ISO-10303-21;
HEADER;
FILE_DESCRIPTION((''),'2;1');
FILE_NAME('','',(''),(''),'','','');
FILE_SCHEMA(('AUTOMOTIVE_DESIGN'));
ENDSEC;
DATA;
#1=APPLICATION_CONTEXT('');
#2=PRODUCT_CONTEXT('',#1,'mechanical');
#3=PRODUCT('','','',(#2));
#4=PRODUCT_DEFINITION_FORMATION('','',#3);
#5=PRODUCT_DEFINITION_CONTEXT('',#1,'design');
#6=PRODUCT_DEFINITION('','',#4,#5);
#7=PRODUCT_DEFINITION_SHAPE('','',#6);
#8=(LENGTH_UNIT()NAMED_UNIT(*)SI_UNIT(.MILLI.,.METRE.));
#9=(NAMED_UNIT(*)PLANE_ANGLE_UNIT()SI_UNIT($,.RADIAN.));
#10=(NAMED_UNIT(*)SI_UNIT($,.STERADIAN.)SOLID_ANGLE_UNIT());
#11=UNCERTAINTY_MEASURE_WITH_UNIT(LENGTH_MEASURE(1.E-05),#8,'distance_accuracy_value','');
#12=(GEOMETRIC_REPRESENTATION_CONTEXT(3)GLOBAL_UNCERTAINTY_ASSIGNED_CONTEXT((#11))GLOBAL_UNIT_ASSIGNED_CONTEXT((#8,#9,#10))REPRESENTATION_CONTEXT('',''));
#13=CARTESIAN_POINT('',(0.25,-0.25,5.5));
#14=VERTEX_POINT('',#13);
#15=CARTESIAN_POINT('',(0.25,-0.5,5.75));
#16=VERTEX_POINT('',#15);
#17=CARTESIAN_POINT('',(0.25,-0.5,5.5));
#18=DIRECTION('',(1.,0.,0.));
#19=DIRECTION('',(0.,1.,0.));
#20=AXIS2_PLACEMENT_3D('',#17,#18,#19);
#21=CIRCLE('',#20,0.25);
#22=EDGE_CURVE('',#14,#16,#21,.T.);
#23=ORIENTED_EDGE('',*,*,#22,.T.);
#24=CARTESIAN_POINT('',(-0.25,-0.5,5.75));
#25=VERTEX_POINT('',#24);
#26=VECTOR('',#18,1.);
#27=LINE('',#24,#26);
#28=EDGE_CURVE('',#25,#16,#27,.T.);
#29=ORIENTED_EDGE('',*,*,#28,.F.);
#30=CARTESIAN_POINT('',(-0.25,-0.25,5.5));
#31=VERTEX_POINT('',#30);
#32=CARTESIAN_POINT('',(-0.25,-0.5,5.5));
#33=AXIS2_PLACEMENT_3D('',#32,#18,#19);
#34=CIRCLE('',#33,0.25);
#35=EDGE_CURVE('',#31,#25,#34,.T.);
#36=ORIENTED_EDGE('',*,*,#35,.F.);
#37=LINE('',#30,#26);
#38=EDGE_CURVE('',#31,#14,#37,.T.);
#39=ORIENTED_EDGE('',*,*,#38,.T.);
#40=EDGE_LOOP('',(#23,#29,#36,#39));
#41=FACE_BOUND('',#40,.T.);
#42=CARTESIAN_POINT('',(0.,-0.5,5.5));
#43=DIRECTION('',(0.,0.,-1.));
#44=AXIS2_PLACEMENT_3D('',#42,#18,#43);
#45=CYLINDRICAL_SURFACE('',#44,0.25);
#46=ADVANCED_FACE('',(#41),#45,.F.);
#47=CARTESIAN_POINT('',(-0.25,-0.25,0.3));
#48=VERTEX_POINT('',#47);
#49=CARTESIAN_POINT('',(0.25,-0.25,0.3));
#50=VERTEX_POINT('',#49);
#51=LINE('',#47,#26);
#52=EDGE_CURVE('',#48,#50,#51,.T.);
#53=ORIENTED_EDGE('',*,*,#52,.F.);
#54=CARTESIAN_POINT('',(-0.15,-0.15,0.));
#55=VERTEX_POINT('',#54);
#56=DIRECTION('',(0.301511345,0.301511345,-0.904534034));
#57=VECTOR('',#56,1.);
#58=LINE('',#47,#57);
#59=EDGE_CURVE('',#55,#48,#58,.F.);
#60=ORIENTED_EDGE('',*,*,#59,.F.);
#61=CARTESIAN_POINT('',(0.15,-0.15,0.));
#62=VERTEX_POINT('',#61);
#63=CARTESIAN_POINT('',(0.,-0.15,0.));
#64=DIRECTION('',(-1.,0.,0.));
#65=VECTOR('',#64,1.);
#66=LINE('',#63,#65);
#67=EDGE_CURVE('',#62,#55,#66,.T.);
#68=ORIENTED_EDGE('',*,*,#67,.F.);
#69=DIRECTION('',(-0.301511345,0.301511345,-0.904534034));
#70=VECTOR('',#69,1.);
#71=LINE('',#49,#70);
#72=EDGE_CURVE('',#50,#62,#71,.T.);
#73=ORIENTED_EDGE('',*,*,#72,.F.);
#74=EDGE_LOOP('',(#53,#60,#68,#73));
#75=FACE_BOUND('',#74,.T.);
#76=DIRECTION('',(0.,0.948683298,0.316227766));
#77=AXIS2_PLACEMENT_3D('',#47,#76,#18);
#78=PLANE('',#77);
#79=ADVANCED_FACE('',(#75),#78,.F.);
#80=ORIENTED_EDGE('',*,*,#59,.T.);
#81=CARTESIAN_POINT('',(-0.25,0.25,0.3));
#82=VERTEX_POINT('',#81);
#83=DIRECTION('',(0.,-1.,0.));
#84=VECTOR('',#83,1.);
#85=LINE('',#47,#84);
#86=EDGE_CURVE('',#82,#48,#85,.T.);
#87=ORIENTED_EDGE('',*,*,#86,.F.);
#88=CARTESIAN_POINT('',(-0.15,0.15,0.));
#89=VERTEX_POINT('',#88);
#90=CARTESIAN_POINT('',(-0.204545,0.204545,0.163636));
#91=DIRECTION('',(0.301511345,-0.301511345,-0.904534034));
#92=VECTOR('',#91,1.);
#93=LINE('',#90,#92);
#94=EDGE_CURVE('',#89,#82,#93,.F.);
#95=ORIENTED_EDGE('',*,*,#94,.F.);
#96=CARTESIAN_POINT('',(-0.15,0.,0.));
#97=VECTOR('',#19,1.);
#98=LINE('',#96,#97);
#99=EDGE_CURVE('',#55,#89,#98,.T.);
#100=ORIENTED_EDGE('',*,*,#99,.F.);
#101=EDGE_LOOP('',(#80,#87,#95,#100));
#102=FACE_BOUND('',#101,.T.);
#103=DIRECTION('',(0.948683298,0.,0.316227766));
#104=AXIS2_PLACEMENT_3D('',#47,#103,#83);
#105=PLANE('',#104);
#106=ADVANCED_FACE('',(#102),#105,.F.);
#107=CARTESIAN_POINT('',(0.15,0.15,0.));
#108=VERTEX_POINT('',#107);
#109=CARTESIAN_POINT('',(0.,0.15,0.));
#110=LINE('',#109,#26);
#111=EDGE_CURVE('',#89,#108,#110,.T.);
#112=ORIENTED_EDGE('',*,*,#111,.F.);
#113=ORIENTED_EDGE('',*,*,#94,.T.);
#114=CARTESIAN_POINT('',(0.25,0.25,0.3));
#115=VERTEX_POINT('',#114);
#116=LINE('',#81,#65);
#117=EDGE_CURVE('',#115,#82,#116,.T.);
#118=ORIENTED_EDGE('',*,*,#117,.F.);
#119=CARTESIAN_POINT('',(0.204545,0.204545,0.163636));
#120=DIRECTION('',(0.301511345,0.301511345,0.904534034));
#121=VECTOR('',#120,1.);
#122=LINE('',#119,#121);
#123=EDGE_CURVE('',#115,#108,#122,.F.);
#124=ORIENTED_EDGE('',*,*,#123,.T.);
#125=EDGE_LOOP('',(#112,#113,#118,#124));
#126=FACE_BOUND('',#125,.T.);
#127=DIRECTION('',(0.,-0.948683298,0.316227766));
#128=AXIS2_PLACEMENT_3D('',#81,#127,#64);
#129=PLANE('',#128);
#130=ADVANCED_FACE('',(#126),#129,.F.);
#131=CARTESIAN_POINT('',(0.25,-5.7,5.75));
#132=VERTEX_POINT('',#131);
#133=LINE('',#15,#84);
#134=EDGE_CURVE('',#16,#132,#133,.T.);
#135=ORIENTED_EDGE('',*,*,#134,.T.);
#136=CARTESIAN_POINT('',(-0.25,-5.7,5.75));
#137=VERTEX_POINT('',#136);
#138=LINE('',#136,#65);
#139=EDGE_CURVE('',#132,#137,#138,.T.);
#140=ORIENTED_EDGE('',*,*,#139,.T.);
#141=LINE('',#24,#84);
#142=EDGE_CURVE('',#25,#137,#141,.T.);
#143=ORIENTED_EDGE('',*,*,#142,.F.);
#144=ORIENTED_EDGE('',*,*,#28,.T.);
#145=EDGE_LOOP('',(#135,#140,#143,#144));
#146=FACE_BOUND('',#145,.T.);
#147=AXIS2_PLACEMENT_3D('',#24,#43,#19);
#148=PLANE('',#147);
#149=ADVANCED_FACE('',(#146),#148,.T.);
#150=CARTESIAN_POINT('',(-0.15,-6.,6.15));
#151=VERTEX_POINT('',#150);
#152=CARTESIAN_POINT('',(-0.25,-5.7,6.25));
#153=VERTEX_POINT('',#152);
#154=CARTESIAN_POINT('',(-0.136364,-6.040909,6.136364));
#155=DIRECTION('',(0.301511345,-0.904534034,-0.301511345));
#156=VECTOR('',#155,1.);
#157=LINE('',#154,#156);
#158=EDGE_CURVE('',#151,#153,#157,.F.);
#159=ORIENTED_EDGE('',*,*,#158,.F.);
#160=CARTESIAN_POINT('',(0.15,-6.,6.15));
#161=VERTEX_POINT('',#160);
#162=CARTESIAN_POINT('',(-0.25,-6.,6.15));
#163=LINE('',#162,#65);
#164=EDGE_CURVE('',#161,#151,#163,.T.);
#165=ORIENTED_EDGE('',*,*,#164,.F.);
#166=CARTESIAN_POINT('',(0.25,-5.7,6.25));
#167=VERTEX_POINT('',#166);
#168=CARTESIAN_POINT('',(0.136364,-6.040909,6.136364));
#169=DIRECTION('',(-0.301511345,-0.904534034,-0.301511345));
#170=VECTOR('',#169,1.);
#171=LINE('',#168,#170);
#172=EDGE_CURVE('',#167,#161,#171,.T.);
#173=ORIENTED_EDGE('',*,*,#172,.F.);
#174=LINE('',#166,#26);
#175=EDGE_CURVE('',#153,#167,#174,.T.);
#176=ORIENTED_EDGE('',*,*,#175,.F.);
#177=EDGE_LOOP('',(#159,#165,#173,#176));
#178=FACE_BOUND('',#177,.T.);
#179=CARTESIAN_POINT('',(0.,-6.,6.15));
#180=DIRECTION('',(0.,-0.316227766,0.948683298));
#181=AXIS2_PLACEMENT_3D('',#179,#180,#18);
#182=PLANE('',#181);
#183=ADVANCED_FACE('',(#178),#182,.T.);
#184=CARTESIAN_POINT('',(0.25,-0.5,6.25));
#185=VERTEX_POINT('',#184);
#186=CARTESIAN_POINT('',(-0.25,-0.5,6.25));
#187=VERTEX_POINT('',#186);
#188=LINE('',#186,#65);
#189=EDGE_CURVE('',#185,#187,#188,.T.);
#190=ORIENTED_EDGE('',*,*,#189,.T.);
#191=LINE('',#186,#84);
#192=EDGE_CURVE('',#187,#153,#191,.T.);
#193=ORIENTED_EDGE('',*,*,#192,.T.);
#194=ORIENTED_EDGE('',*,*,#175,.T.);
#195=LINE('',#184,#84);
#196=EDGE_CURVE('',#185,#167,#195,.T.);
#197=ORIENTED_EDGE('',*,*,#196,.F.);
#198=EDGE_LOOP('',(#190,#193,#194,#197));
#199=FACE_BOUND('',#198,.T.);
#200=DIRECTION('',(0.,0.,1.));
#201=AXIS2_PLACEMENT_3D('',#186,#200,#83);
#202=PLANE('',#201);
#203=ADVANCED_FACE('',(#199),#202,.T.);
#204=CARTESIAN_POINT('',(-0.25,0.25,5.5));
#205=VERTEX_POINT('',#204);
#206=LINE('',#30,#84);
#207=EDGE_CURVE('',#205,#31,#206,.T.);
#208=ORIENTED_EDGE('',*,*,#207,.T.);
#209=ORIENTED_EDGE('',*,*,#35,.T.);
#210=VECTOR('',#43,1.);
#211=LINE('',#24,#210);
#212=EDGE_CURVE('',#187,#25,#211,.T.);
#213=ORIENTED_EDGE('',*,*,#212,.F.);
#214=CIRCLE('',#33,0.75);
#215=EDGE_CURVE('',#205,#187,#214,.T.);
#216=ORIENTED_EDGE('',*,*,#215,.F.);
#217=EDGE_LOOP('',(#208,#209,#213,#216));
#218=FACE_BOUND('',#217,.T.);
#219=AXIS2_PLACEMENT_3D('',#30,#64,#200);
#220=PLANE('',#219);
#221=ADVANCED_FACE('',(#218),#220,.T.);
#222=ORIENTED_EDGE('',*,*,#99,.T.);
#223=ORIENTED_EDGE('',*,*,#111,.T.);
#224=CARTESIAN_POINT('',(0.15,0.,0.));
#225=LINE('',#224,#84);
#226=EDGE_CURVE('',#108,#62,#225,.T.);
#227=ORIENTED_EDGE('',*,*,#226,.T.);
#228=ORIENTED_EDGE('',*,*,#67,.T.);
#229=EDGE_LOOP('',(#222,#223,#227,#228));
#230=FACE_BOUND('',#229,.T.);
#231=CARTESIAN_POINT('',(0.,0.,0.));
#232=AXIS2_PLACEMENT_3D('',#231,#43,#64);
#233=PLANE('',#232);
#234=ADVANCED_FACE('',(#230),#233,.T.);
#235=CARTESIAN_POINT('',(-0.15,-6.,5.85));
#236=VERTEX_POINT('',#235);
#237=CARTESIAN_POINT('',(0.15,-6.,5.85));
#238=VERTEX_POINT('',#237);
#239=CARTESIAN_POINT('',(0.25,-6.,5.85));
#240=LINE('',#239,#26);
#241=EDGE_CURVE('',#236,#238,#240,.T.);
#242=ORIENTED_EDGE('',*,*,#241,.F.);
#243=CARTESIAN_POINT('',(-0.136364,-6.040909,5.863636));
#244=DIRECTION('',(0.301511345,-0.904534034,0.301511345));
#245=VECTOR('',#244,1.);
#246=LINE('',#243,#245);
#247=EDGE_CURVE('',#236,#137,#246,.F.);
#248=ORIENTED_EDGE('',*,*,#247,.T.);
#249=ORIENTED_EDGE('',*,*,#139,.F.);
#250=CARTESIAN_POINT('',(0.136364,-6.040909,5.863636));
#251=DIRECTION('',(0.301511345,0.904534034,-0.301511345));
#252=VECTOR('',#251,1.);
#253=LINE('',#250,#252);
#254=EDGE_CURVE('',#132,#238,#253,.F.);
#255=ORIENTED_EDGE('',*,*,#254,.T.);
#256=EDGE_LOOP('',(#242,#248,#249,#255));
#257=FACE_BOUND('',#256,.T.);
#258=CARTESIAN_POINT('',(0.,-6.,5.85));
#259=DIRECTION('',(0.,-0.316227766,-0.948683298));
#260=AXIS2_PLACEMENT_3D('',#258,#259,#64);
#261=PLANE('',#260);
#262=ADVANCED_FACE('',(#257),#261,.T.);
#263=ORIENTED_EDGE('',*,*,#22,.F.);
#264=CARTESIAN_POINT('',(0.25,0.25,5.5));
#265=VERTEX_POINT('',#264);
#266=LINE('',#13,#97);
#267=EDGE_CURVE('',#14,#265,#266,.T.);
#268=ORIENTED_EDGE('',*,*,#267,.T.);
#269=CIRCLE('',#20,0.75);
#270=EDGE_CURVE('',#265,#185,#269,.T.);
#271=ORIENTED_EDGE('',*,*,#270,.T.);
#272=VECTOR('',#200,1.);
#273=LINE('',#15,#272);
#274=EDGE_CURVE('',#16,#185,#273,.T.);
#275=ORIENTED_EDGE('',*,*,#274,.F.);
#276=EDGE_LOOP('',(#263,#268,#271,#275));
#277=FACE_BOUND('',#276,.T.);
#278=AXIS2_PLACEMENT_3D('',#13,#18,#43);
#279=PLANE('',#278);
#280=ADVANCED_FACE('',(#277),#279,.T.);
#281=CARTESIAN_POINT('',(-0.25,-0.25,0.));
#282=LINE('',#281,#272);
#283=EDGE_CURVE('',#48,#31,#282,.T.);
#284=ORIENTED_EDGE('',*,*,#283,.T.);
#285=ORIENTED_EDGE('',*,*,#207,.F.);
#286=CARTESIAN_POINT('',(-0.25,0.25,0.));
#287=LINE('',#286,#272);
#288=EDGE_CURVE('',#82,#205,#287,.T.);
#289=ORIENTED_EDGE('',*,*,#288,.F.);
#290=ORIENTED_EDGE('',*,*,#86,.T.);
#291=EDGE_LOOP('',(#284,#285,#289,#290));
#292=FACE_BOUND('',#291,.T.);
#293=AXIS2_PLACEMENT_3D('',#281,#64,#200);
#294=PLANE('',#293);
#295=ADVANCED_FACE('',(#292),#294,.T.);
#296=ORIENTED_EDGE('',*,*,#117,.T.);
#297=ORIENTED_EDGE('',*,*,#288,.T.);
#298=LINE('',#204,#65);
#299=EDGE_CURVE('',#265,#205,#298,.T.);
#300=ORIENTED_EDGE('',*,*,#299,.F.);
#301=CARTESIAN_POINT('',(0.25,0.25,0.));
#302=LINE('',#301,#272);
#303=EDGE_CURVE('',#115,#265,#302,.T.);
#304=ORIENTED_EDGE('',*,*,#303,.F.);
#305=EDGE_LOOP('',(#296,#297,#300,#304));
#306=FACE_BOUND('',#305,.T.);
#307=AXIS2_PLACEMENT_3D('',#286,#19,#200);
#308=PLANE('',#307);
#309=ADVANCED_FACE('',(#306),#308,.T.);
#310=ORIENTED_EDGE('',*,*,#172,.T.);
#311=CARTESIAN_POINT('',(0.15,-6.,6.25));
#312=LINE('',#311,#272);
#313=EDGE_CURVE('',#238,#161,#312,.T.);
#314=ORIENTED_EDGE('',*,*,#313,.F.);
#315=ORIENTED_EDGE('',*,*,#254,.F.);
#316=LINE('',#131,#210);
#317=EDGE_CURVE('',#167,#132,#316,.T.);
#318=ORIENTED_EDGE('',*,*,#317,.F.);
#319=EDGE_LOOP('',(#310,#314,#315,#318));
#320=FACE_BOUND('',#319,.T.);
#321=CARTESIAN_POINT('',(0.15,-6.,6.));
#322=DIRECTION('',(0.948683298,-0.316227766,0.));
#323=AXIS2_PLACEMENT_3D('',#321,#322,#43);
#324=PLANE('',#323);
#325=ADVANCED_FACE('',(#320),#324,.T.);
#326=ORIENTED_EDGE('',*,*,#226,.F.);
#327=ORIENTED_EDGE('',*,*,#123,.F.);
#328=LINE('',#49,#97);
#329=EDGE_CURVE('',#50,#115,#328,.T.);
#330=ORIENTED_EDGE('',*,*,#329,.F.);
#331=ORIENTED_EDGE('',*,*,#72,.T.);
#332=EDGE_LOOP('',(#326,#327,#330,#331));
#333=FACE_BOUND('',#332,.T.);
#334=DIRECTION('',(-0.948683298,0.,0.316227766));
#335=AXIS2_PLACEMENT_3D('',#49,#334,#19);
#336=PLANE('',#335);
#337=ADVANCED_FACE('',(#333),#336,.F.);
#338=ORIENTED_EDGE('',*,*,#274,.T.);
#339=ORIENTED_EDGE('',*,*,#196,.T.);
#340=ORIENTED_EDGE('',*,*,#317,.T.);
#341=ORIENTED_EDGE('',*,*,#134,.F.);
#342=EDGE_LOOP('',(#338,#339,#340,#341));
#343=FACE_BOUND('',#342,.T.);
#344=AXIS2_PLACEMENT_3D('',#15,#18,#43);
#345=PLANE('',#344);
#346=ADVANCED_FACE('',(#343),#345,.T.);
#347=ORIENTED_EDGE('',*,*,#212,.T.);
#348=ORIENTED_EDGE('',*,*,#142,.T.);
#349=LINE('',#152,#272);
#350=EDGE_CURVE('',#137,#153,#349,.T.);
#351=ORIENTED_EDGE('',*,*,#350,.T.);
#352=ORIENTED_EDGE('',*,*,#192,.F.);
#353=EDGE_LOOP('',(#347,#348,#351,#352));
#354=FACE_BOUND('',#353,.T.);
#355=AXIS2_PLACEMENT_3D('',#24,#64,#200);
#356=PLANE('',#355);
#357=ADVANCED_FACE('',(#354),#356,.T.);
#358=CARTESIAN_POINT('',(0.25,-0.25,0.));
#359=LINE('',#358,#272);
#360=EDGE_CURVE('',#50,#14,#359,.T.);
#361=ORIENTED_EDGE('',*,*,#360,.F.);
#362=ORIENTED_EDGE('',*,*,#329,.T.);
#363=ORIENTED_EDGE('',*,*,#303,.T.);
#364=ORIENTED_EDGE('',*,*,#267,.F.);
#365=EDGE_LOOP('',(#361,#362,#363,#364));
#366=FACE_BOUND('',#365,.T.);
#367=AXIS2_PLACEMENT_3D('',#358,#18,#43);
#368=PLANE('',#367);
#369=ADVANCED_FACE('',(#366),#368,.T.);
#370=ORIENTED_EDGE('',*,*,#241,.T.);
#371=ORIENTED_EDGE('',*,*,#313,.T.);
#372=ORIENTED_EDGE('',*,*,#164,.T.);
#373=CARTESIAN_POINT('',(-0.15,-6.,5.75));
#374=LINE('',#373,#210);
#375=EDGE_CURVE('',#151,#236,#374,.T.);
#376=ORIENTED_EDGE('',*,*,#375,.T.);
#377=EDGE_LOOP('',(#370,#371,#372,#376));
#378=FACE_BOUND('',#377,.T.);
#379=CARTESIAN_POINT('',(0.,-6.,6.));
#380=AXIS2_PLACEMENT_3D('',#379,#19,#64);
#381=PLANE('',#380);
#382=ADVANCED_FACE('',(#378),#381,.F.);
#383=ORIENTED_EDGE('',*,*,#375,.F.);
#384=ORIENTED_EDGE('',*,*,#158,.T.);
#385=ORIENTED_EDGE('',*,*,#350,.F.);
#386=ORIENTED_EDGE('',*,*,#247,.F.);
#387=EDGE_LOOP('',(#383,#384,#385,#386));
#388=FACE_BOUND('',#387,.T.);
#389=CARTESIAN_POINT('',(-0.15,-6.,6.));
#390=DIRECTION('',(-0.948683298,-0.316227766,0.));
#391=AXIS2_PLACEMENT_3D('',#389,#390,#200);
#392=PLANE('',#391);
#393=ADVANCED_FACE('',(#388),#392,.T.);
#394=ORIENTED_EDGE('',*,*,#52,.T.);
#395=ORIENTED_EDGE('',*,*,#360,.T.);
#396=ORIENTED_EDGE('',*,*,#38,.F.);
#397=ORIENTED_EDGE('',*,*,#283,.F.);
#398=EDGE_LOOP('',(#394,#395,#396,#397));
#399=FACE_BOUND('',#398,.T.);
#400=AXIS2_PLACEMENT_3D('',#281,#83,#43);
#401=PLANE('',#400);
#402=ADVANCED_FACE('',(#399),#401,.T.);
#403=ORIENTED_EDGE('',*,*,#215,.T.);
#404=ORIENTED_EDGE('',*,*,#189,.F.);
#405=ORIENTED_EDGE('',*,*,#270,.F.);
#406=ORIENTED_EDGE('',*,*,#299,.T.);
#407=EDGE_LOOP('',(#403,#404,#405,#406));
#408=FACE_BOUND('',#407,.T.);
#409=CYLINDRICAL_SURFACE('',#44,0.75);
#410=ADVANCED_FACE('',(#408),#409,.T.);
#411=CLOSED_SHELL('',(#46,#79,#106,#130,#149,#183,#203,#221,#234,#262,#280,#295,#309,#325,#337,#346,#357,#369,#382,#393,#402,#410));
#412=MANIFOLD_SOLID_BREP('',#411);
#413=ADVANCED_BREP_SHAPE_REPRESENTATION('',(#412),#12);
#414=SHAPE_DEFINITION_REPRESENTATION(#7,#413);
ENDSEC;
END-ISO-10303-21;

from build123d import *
from OCP.BRepFilletAPI import BRepFilletAPI_MakeChamfer

# Parameters (mm, degrees)
ESBO_O2_W      = 0.5
ESBO_O2_H      = 0.5
CHANFRO1_SIZE  = 0.1
CHANFRO1_SIZE2 = 0.3
CHANFRO2_SIZE  = 0.3
CHANFRO2_SIZE2 = 0.1


with BuildPart() as part:
    # Varredura1: sweep along a path in Esboço1
    with BuildLine(Plane(origin=(0, 0, 0), x_dir=(0, 0, -1), z_dir=(1, 0, 0))) as varredura1_path:
        Line((0, 0), (-5.5, 0))
        ThreePointArc((-5.5, 0), (-5.853553391, -0.146446609), (-6, -0.5))
        Line((-6, -0.5), (-6, -6))
    # Esboço2 → Varredura1 (sweep)
    with BuildSketch(Plane.XY):
        Rectangle(ESBO_O2_W, ESBO_O2_H)
    sweep(path=varredura1_path.line)

    # Chanfro1
    chanfro1_edges = [part.edges().sort_by_distance(p)[0] for p in [
        (0, 0.25, 0),
        (-0.25, 0, 0),
        (0, -0.25, 0),
        (0.25, 0, 0),
    ]]
    chanfro1_side = [part.faces().sort_by_distance(p)[0] for p in [
        (0, 0, 0),
    ]]
    chamfer(chanfro1_edges, length=CHANFRO1_SIZE, length2=CHANFRO1_SIZE2, reference=chanfro1_side[0])

    # Chanfro2: one chamfer whose edges measure the first distance from different faces: ONE call of the kernel's chamfer builder (chamfer() names one face for all edges)
    chanfro2_edges_1 = [part.edges().sort_by_distance(p)[0] for p in [
        (0.25, -6, 6),
    ]]
    chanfro2_side_1 = [part.faces().sort_by_distance(p)[0] for p in [
        (0.25, -0.163706895, 2.9),
    ]]
    chanfro2_edges_2 = [part.edges().sort_by_distance(p)[0] for p in [
        (0, -6, 6.25),
    ]]
    chanfro2_side_2 = [part.faces().sort_by_distance(p)[0] for p in [
        (0, -3.25, 6.25),
    ]]
    chanfro2_edges_3 = [part.edges().sort_by_distance(p)[0] for p in [
        (-0.25, -6, 6),
    ]]
    chanfro2_side_3 = [part.faces().sort_by_distance(p)[0] for p in [
        (-0.25, 0.163706895, 2.9),
    ]]
    chanfro2_edges_4 = [part.edges().sort_by_distance(p)[0] for p in [
        (0, -6, 5.75),
    ]]
    chanfro2_side_4 = [part.faces().sort_by_distance(p)[0] for p in [
        (0, -3.25, 5.75),
    ]]
    chanfro2 = BRepFilletAPI_MakeChamfer(part.part.solid().wrapped)
    for e in chanfro2_edges_1:
        chanfro2.Add(CHANFRO2_SIZE, CHANFRO2_SIZE2, e.wrapped, chanfro2_side_1[0].wrapped)  # the first distance lies on this face
    for e in chanfro2_edges_2:
        chanfro2.Add(CHANFRO2_SIZE, CHANFRO2_SIZE2, e.wrapped, chanfro2_side_2[0].wrapped)  # the first distance lies on this face
    for e in chanfro2_edges_3:
        chanfro2.Add(CHANFRO2_SIZE, CHANFRO2_SIZE2, e.wrapped, chanfro2_side_3[0].wrapped)  # the first distance lies on this face
    for e in chanfro2_edges_4:
        chanfro2.Add(CHANFRO2_SIZE, CHANFRO2_SIZE2, e.wrapped, chanfro2_side_4[0].wrapped)  # the first distance lies on this face
    add(Compound.cast(chanfro2.Shape()), mode=Mode.REPLACE)


solid = part.part
